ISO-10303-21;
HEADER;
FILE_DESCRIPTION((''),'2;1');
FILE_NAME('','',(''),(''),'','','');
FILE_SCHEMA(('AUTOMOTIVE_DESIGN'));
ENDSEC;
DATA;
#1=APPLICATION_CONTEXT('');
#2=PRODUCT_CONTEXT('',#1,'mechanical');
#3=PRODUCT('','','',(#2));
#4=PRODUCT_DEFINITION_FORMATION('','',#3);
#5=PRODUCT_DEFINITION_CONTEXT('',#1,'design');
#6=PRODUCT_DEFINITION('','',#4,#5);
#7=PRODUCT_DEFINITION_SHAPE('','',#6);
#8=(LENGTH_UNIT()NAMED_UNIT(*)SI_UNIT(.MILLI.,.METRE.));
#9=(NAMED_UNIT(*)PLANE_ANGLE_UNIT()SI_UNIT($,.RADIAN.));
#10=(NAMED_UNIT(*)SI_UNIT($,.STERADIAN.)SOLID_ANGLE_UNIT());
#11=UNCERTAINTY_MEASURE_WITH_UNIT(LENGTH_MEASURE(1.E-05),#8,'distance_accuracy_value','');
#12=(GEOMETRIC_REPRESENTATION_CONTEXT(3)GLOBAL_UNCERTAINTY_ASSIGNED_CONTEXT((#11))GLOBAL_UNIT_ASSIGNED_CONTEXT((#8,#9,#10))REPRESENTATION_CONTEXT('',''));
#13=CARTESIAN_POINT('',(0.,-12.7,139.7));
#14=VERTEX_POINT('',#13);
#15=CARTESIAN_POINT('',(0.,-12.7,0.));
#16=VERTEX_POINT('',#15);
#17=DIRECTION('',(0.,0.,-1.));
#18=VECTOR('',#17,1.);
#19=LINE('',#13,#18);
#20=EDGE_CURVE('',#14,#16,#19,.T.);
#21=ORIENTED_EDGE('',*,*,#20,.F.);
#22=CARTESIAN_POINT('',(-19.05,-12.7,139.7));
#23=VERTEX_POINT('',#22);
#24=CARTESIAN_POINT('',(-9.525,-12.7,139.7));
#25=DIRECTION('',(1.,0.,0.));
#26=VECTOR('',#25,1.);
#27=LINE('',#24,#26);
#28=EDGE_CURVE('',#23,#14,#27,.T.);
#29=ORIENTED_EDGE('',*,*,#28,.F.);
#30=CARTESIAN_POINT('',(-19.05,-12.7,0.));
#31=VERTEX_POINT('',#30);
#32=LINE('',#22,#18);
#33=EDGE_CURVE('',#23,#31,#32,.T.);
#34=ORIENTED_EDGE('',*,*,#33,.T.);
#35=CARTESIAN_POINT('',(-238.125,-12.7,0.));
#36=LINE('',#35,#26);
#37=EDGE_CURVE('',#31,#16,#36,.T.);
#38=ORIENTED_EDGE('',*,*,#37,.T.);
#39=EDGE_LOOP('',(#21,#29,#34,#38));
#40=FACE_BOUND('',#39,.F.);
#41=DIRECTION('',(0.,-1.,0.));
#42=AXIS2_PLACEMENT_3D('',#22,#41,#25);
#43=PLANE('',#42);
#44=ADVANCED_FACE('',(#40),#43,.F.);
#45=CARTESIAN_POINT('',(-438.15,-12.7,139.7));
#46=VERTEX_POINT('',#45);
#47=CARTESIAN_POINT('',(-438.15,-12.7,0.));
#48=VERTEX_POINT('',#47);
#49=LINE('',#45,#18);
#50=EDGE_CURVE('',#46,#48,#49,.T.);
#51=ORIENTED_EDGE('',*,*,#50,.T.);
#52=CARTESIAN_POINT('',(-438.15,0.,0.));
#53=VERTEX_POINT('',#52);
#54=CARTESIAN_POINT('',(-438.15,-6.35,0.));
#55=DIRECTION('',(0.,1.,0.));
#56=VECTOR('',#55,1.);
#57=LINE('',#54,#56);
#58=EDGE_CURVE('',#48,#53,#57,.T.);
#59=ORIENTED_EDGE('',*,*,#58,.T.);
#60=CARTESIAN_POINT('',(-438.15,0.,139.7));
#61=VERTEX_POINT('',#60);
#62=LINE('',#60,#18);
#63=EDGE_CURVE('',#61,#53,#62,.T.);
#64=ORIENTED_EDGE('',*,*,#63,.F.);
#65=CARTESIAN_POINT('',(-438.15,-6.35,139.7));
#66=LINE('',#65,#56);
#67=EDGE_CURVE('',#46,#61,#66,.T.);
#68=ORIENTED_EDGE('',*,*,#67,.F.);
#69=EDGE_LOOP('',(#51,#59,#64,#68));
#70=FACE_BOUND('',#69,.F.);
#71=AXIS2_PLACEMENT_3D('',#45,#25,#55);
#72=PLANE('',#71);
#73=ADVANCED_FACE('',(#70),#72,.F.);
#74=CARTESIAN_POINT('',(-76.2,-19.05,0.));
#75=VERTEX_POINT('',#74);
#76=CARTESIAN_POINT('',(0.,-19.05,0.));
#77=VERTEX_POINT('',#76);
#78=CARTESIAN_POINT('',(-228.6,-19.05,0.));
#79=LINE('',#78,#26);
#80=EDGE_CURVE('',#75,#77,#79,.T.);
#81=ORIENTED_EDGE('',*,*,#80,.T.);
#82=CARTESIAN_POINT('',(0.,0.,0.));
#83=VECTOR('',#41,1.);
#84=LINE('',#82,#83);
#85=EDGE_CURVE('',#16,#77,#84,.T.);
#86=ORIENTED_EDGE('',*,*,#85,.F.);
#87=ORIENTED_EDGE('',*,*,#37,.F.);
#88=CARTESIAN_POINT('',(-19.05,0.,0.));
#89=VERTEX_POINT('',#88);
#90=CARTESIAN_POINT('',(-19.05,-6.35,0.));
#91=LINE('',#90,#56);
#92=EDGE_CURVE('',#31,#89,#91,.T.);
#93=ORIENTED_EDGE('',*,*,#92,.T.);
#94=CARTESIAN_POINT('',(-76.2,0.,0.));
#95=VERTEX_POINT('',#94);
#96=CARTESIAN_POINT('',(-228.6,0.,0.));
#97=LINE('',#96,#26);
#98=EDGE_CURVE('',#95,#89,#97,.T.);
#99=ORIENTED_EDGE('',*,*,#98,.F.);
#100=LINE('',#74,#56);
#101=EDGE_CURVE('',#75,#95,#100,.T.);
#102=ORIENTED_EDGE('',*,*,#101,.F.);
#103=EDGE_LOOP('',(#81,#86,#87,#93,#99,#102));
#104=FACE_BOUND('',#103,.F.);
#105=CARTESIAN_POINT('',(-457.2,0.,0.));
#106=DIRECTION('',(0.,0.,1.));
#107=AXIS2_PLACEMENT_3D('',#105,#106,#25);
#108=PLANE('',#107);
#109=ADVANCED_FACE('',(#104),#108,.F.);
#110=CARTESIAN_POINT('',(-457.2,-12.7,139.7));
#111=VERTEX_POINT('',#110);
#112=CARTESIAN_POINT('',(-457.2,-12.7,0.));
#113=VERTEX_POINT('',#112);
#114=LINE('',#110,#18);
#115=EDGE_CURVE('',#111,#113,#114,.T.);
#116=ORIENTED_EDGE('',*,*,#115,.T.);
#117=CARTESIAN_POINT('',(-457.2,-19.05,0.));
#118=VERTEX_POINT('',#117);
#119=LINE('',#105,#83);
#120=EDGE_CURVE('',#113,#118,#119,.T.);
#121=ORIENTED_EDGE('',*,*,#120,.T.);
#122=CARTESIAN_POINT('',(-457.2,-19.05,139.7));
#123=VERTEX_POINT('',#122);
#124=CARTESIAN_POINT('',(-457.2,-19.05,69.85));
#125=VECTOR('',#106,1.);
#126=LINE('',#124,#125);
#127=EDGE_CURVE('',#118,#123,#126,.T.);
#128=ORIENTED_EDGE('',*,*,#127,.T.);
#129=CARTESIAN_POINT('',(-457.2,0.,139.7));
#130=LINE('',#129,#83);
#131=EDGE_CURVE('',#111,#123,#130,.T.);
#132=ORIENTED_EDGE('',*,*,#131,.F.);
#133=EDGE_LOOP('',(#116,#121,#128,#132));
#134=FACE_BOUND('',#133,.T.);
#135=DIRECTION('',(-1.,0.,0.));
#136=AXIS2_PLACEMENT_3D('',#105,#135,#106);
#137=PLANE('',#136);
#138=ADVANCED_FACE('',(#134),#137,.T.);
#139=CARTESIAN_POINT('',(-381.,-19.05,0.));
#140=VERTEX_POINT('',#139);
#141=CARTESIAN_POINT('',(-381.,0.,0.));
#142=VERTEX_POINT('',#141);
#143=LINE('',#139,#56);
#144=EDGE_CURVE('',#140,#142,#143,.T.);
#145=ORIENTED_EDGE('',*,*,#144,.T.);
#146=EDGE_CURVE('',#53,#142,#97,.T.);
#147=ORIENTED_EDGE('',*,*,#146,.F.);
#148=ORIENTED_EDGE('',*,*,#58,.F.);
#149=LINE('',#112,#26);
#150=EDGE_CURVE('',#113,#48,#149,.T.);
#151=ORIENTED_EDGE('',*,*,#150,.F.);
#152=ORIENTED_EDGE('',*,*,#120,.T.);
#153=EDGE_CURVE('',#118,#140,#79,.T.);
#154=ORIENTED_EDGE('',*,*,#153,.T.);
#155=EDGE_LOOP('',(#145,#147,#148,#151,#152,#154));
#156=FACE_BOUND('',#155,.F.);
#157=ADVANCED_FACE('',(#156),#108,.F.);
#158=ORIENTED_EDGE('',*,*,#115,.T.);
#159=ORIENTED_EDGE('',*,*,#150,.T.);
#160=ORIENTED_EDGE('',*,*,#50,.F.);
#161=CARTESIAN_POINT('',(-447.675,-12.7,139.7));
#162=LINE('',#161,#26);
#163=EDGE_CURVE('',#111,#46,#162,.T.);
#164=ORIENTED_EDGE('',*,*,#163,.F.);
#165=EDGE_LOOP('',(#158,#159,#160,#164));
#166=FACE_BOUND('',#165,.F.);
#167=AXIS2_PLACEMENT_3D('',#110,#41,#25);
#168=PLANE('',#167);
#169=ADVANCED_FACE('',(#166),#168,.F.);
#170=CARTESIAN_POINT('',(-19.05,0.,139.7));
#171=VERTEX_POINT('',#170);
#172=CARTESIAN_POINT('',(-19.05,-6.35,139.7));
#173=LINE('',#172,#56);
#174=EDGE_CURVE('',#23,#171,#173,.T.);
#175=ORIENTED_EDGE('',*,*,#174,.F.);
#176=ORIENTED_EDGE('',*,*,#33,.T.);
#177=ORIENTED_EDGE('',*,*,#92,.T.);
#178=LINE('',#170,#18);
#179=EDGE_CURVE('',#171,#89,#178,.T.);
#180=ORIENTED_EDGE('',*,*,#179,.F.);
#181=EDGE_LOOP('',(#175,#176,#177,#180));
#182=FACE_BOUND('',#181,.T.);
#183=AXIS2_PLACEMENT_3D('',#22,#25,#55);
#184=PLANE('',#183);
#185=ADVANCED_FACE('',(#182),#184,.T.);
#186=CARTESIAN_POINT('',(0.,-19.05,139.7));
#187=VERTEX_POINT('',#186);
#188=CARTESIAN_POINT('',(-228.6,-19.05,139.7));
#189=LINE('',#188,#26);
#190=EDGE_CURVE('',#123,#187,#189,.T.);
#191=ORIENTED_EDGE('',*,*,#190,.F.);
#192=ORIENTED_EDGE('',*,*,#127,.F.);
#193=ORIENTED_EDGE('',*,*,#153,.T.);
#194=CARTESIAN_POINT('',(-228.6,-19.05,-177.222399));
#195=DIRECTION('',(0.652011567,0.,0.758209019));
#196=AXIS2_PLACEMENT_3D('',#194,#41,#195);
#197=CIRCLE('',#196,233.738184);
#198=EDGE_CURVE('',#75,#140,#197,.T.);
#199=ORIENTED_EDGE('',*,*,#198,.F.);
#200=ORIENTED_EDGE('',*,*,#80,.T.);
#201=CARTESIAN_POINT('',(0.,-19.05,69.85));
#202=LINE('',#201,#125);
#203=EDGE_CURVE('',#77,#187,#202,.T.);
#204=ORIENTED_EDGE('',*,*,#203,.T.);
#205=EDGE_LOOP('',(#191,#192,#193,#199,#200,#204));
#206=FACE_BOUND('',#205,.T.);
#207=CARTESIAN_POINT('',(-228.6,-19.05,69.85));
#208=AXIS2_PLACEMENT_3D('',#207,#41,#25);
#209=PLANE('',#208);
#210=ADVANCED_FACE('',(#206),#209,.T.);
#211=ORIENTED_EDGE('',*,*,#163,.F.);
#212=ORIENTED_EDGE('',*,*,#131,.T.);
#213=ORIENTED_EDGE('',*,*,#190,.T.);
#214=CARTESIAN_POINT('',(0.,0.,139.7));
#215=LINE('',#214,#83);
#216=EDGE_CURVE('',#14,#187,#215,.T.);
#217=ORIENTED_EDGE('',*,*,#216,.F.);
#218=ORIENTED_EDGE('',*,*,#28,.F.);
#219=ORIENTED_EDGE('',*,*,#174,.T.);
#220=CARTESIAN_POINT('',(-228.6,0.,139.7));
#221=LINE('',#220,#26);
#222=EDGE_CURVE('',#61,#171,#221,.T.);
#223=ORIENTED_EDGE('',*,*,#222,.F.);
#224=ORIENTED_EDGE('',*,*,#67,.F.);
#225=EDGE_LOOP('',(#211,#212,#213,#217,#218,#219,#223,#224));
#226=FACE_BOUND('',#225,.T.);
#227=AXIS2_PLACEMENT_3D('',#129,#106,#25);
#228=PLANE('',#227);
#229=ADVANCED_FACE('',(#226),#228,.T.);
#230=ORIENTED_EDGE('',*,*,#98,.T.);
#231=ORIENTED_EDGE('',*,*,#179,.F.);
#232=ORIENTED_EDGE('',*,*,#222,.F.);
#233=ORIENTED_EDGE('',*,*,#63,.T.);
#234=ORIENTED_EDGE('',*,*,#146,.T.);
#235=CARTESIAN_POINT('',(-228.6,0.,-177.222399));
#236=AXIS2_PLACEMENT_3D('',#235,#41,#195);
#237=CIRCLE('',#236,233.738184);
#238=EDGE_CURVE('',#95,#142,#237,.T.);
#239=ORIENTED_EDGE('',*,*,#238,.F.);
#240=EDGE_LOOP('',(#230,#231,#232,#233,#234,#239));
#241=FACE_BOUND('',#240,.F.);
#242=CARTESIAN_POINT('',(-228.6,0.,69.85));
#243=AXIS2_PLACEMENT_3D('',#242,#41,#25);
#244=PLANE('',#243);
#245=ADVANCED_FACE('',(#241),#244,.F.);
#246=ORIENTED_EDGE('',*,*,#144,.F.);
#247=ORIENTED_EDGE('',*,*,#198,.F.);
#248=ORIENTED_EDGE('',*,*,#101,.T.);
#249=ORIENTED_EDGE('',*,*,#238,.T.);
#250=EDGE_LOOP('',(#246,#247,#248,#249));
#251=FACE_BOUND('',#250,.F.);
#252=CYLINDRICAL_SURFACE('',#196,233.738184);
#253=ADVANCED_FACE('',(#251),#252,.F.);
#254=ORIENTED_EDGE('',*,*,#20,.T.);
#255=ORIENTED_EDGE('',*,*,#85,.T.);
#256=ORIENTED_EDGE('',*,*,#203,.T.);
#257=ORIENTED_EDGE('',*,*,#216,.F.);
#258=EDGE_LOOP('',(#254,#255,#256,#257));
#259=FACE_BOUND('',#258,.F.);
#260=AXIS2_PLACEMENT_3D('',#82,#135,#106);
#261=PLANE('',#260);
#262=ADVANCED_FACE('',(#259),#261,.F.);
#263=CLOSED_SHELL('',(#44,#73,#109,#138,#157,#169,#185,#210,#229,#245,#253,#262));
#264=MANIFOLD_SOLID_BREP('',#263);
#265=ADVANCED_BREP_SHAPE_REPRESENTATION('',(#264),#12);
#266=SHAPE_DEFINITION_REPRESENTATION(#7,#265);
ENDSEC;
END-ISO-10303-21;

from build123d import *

# Parameters (mm, degrees)
F0_W     = 457.2
F0_H     = 139.7
F1_DEPTH = 19.05
F2_W     = 19.05
F2_H     = 12.7
F3_DEPTH = 139.701
F4_W     = 19.05
F4_H     = 12.7
F5_DEPTH = 139.701
F7_DEPTH = 19.051


with BuildPart() as f1:
    # F0 (on Front) → F1 (new body)
    with BuildSketch(Plane.XZ):
        with Locations((-228.6, 69.85)):
            Rectangle(F0_W, F0_H)
    extrude(amount=F1_DEPTH)

    # F2 (on face) → F3 (cut, through all)
    with BuildSketch(Plane.XY.offset(139.7)):
        with Locations((-9.525, -6.35)):
            Rectangle(F2_W, F2_H)
    extrude(amount=-F3_DEPTH, mode=Mode.SUBTRACT)

    # F4 (on face) → F5 (cut, through all)
    with BuildSketch(Plane.XY.offset(139.7)):
        with Locations((-447.675, -6.35)):
            Rectangle(F4_W, F4_H)
    extrude(amount=-F5_DEPTH, mode=Mode.SUBTRACT)

    # F6 (on face) → F7 (cut, through all)
    with BuildSketch(Plane.XZ.offset(19.05)):
        with BuildLine():
            Line((-381, 0), (-76.2, 0))
            ThreePointArc((-76.2, 0), (-228.6, 56.515785), (-381, 0))
        make_face()
    extrude(amount=-F7_DEPTH, mode=Mode.SUBTRACT)


solid = f1.part
